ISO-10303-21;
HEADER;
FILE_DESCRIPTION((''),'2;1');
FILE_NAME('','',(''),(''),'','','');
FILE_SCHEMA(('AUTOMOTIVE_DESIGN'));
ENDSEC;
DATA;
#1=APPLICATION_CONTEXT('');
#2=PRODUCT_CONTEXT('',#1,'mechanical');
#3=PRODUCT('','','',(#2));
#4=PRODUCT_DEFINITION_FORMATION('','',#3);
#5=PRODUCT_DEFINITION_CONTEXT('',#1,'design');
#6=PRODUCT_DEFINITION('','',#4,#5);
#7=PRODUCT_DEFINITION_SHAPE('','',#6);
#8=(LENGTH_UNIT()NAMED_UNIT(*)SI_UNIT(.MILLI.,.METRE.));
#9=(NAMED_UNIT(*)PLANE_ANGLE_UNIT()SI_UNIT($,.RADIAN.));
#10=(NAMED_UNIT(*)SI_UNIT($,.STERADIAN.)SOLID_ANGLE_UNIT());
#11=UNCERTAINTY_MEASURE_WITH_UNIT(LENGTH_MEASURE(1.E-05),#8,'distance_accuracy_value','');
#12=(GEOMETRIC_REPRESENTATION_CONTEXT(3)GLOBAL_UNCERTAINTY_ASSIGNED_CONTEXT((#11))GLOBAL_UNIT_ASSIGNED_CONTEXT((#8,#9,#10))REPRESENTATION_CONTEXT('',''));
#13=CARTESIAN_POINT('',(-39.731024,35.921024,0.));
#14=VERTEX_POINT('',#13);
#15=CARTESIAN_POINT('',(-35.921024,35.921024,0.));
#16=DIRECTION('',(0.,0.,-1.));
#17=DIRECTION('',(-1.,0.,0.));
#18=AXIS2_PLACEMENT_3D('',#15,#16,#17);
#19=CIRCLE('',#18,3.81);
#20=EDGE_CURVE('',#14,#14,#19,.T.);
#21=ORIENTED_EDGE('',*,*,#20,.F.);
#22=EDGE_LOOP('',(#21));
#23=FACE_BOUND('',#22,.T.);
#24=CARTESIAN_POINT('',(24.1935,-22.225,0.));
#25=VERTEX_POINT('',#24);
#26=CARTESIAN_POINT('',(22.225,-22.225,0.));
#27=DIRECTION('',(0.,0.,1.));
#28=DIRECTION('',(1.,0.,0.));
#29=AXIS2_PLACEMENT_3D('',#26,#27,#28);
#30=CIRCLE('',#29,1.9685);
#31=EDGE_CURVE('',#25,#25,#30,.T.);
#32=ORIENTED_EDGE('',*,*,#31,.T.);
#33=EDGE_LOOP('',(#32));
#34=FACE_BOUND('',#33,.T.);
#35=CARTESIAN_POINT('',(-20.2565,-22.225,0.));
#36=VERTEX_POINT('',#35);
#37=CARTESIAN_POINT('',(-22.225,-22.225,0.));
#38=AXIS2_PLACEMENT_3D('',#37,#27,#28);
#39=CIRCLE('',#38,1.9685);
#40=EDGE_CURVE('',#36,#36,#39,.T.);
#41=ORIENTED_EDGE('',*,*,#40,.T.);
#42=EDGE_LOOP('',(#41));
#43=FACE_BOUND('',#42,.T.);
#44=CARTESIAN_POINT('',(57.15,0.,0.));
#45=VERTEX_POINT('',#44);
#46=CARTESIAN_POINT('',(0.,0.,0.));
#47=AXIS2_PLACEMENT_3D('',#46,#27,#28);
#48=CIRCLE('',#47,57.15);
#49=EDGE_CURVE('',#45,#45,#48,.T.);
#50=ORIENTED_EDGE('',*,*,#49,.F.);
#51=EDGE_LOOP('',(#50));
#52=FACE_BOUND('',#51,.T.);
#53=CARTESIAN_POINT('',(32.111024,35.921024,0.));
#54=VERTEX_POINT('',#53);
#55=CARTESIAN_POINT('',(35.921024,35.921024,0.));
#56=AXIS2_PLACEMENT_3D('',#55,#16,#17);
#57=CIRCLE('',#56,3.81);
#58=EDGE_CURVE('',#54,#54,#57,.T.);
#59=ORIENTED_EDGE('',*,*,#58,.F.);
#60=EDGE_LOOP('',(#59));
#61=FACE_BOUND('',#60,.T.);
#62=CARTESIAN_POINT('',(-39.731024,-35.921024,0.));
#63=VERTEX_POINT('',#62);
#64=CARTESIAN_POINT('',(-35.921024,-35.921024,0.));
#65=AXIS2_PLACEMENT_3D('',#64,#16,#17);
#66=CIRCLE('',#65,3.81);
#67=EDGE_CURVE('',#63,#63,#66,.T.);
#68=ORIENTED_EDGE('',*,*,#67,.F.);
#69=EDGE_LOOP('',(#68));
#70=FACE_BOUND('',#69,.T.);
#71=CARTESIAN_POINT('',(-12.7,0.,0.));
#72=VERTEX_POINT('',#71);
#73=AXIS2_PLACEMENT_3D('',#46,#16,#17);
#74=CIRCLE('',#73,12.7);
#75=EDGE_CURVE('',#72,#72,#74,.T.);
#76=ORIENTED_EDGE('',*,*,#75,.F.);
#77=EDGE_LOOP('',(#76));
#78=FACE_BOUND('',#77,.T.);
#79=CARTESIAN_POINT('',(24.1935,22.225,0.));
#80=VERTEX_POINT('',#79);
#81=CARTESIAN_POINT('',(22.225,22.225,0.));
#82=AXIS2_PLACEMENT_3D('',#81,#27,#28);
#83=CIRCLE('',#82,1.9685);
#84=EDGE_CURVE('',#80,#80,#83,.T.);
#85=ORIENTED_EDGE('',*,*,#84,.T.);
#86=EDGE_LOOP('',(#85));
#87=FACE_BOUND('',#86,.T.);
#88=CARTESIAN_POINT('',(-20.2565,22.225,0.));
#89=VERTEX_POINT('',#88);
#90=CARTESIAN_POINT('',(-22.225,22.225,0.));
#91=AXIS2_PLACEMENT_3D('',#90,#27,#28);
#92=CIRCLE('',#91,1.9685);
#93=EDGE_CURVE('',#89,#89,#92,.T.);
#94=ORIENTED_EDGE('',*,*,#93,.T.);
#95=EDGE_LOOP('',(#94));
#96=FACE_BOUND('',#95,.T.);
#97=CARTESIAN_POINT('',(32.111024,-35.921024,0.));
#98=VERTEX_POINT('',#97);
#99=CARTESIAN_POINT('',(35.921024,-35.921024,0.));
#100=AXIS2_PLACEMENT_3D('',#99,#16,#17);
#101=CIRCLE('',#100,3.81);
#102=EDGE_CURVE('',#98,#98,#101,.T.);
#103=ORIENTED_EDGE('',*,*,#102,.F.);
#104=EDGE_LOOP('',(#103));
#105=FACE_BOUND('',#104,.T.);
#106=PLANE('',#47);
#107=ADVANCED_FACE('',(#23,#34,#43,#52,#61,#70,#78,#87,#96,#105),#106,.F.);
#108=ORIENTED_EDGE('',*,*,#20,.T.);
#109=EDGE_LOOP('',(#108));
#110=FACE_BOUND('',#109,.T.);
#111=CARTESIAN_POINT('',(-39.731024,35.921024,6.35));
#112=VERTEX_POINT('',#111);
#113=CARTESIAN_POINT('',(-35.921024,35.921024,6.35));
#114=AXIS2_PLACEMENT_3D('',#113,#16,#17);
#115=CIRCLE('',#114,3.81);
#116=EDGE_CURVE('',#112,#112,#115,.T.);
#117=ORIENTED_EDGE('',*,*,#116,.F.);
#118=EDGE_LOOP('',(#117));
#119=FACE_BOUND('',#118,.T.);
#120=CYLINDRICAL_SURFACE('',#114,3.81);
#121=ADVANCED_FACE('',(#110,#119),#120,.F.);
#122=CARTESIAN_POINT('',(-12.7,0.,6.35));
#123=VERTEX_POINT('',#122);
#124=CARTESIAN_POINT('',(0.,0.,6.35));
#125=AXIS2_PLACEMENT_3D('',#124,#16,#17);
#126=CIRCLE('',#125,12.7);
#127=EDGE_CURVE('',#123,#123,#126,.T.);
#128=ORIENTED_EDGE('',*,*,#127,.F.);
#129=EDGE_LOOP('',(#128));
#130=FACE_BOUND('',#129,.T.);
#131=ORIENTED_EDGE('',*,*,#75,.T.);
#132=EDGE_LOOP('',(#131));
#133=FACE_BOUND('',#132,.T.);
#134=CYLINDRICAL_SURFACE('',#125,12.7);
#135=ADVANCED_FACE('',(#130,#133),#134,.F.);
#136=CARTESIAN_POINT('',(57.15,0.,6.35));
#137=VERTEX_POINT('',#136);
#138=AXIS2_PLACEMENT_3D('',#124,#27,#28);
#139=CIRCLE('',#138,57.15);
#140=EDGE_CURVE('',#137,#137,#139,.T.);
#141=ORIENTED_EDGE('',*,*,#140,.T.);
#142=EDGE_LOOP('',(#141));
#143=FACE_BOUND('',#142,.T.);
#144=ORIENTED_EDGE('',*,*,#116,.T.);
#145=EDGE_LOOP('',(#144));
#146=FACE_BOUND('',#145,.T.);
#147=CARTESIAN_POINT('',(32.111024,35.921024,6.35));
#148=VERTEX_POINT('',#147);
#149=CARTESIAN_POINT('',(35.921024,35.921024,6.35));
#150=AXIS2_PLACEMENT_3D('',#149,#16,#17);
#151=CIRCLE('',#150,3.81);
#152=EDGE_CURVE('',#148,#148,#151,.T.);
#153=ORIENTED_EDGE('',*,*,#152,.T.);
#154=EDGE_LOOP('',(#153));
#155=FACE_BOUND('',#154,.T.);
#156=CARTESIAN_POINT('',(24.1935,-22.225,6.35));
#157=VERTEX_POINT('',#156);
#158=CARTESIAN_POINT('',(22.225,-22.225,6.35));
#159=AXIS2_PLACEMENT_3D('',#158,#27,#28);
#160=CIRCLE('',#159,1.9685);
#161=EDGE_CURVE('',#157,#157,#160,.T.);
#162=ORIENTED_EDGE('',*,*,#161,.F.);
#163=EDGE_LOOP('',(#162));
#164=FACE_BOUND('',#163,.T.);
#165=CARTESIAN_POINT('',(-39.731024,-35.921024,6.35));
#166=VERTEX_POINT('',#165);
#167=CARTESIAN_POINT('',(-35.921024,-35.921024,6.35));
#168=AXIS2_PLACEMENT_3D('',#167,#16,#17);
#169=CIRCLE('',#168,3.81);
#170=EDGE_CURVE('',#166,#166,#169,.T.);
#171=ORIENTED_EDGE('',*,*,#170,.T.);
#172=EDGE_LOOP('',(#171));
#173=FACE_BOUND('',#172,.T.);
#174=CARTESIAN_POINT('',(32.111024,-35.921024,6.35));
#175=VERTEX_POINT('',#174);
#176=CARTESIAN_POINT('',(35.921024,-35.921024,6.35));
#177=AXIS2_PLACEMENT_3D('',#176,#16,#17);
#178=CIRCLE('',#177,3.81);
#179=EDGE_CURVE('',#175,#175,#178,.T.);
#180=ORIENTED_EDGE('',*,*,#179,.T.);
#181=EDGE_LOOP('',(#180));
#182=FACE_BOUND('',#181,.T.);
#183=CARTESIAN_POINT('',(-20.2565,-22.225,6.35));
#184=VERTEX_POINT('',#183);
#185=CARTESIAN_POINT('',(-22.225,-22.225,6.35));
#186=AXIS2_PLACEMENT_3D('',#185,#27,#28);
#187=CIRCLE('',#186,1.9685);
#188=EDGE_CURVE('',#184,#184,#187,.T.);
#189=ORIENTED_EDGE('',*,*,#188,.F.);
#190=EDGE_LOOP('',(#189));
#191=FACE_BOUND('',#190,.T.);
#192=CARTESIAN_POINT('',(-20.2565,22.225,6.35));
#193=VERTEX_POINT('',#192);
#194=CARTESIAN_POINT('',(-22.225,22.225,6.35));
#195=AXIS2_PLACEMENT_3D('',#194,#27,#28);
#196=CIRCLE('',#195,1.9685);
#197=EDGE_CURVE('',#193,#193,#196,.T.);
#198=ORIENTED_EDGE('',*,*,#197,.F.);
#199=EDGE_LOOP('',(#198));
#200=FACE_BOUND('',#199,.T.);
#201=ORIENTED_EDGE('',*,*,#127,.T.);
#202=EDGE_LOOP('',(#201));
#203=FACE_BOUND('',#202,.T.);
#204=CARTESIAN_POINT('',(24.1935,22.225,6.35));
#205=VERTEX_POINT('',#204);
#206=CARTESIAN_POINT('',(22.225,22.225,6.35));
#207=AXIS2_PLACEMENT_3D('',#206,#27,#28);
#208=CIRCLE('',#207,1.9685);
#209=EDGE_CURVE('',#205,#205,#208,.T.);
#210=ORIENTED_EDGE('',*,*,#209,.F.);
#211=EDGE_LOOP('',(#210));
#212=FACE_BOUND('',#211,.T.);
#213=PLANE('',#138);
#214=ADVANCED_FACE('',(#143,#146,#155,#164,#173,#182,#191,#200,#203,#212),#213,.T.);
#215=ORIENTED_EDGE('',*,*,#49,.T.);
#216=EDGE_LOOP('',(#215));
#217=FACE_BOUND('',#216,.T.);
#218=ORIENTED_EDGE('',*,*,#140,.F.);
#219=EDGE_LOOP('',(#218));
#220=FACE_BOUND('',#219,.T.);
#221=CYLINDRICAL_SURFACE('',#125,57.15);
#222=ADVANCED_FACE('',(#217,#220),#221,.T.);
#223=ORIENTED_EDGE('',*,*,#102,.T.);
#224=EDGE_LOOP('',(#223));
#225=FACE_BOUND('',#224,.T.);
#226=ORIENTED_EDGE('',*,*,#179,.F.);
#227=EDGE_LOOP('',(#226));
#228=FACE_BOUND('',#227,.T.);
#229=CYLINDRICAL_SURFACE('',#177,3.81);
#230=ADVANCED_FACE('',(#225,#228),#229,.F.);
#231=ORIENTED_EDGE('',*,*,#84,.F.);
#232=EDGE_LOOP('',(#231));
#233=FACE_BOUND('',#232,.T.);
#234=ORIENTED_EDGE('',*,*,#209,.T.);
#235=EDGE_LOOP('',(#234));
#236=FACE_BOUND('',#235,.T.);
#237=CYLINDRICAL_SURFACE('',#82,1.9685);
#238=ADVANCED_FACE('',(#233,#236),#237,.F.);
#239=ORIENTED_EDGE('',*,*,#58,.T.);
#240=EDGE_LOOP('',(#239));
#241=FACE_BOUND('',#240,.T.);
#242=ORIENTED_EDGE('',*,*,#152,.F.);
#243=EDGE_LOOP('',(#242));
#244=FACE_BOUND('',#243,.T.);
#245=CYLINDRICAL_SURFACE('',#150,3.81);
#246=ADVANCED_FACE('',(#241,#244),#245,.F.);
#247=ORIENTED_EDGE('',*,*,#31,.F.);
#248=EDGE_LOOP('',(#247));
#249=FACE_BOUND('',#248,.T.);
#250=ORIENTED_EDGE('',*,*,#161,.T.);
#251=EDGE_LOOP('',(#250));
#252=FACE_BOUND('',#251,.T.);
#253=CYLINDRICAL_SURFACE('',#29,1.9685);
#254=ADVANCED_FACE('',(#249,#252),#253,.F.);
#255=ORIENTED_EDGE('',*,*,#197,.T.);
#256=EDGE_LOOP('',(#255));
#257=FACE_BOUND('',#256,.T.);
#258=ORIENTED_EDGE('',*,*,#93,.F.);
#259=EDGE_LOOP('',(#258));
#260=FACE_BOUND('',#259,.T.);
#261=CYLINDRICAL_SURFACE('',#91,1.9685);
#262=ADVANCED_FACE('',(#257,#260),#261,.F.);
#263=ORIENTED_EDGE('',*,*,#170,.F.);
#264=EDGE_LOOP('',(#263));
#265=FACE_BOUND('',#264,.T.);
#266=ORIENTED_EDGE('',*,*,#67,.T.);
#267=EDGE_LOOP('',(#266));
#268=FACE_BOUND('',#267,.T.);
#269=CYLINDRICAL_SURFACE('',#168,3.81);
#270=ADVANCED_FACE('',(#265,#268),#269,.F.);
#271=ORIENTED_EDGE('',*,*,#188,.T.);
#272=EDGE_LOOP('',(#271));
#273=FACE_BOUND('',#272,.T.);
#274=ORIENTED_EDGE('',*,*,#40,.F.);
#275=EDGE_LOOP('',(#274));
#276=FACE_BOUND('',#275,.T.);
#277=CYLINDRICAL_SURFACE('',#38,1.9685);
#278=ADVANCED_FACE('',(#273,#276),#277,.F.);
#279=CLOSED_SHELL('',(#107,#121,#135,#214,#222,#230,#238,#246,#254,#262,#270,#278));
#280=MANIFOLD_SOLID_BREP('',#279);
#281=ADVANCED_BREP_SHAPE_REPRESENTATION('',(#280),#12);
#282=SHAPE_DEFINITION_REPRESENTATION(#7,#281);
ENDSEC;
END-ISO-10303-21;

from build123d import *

# Parameters (mm, degrees)
SKETCH3_R           = 57.15
BOSS_EXTRUDE2_DEPTH = 6.35
SKETCH4_R           = 3.81
SKETCH4_R_2         = 12.7
CUT_EXTRUDE1_DEPTH  = 6.35
SKETCH5_R           = 1.9685
CUT_EXTRUDE2_DEPTH  = 6.35


with BuildPart() as part:
    # Sketch3 → Boss-Extrude2 (new body)
    with BuildSketch(Plane.XY):
        Circle(SKETCH3_R)
    extrude(amount=BOSS_EXTRUDE2_DEPTH)

    # Sketch4 → Cut-Extrude1 (cut)
    with BuildSketch(Plane(origin=(0, 0, 0), x_dir=(-1, 0, 0), z_dir=(0, 0, -1))):
        with Locations((-35.921024484, 35.921024484)):
            Circle(SKETCH4_R)
        with Locations((35.921024484, 35.921024484)):
            Circle(SKETCH4_R)
        with Locations((35.921024484, -35.921024484)):
            Circle(SKETCH4_R)
        with Locations((-35.921024484, -35.921024484)):
            Circle(SKETCH4_R)
        Circle(SKETCH4_R_2)
    extrude(amount=-CUT_EXTRUDE1_DEPTH, mode=Mode.SUBTRACT)

    # Sketch5 → Cut-Extrude2 (cut)
    with BuildSketch(Plane.XY.offset(6.35)):
        with Locations((-22.225, 22.225)):
            Circle(SKETCH5_R)
        with Locations((22.225, 22.225)):
            Circle(SKETCH5_R)
        with Locations((22.225, -22.225)):
            Circle(SKETCH5_R)
        with Locations((-22.225, -22.225)):
            Circle(SKETCH5_R)
    extrude(amount=-CUT_EXTRUDE2_DEPTH, mode=Mode.SUBTRACT)


solid = part.part
